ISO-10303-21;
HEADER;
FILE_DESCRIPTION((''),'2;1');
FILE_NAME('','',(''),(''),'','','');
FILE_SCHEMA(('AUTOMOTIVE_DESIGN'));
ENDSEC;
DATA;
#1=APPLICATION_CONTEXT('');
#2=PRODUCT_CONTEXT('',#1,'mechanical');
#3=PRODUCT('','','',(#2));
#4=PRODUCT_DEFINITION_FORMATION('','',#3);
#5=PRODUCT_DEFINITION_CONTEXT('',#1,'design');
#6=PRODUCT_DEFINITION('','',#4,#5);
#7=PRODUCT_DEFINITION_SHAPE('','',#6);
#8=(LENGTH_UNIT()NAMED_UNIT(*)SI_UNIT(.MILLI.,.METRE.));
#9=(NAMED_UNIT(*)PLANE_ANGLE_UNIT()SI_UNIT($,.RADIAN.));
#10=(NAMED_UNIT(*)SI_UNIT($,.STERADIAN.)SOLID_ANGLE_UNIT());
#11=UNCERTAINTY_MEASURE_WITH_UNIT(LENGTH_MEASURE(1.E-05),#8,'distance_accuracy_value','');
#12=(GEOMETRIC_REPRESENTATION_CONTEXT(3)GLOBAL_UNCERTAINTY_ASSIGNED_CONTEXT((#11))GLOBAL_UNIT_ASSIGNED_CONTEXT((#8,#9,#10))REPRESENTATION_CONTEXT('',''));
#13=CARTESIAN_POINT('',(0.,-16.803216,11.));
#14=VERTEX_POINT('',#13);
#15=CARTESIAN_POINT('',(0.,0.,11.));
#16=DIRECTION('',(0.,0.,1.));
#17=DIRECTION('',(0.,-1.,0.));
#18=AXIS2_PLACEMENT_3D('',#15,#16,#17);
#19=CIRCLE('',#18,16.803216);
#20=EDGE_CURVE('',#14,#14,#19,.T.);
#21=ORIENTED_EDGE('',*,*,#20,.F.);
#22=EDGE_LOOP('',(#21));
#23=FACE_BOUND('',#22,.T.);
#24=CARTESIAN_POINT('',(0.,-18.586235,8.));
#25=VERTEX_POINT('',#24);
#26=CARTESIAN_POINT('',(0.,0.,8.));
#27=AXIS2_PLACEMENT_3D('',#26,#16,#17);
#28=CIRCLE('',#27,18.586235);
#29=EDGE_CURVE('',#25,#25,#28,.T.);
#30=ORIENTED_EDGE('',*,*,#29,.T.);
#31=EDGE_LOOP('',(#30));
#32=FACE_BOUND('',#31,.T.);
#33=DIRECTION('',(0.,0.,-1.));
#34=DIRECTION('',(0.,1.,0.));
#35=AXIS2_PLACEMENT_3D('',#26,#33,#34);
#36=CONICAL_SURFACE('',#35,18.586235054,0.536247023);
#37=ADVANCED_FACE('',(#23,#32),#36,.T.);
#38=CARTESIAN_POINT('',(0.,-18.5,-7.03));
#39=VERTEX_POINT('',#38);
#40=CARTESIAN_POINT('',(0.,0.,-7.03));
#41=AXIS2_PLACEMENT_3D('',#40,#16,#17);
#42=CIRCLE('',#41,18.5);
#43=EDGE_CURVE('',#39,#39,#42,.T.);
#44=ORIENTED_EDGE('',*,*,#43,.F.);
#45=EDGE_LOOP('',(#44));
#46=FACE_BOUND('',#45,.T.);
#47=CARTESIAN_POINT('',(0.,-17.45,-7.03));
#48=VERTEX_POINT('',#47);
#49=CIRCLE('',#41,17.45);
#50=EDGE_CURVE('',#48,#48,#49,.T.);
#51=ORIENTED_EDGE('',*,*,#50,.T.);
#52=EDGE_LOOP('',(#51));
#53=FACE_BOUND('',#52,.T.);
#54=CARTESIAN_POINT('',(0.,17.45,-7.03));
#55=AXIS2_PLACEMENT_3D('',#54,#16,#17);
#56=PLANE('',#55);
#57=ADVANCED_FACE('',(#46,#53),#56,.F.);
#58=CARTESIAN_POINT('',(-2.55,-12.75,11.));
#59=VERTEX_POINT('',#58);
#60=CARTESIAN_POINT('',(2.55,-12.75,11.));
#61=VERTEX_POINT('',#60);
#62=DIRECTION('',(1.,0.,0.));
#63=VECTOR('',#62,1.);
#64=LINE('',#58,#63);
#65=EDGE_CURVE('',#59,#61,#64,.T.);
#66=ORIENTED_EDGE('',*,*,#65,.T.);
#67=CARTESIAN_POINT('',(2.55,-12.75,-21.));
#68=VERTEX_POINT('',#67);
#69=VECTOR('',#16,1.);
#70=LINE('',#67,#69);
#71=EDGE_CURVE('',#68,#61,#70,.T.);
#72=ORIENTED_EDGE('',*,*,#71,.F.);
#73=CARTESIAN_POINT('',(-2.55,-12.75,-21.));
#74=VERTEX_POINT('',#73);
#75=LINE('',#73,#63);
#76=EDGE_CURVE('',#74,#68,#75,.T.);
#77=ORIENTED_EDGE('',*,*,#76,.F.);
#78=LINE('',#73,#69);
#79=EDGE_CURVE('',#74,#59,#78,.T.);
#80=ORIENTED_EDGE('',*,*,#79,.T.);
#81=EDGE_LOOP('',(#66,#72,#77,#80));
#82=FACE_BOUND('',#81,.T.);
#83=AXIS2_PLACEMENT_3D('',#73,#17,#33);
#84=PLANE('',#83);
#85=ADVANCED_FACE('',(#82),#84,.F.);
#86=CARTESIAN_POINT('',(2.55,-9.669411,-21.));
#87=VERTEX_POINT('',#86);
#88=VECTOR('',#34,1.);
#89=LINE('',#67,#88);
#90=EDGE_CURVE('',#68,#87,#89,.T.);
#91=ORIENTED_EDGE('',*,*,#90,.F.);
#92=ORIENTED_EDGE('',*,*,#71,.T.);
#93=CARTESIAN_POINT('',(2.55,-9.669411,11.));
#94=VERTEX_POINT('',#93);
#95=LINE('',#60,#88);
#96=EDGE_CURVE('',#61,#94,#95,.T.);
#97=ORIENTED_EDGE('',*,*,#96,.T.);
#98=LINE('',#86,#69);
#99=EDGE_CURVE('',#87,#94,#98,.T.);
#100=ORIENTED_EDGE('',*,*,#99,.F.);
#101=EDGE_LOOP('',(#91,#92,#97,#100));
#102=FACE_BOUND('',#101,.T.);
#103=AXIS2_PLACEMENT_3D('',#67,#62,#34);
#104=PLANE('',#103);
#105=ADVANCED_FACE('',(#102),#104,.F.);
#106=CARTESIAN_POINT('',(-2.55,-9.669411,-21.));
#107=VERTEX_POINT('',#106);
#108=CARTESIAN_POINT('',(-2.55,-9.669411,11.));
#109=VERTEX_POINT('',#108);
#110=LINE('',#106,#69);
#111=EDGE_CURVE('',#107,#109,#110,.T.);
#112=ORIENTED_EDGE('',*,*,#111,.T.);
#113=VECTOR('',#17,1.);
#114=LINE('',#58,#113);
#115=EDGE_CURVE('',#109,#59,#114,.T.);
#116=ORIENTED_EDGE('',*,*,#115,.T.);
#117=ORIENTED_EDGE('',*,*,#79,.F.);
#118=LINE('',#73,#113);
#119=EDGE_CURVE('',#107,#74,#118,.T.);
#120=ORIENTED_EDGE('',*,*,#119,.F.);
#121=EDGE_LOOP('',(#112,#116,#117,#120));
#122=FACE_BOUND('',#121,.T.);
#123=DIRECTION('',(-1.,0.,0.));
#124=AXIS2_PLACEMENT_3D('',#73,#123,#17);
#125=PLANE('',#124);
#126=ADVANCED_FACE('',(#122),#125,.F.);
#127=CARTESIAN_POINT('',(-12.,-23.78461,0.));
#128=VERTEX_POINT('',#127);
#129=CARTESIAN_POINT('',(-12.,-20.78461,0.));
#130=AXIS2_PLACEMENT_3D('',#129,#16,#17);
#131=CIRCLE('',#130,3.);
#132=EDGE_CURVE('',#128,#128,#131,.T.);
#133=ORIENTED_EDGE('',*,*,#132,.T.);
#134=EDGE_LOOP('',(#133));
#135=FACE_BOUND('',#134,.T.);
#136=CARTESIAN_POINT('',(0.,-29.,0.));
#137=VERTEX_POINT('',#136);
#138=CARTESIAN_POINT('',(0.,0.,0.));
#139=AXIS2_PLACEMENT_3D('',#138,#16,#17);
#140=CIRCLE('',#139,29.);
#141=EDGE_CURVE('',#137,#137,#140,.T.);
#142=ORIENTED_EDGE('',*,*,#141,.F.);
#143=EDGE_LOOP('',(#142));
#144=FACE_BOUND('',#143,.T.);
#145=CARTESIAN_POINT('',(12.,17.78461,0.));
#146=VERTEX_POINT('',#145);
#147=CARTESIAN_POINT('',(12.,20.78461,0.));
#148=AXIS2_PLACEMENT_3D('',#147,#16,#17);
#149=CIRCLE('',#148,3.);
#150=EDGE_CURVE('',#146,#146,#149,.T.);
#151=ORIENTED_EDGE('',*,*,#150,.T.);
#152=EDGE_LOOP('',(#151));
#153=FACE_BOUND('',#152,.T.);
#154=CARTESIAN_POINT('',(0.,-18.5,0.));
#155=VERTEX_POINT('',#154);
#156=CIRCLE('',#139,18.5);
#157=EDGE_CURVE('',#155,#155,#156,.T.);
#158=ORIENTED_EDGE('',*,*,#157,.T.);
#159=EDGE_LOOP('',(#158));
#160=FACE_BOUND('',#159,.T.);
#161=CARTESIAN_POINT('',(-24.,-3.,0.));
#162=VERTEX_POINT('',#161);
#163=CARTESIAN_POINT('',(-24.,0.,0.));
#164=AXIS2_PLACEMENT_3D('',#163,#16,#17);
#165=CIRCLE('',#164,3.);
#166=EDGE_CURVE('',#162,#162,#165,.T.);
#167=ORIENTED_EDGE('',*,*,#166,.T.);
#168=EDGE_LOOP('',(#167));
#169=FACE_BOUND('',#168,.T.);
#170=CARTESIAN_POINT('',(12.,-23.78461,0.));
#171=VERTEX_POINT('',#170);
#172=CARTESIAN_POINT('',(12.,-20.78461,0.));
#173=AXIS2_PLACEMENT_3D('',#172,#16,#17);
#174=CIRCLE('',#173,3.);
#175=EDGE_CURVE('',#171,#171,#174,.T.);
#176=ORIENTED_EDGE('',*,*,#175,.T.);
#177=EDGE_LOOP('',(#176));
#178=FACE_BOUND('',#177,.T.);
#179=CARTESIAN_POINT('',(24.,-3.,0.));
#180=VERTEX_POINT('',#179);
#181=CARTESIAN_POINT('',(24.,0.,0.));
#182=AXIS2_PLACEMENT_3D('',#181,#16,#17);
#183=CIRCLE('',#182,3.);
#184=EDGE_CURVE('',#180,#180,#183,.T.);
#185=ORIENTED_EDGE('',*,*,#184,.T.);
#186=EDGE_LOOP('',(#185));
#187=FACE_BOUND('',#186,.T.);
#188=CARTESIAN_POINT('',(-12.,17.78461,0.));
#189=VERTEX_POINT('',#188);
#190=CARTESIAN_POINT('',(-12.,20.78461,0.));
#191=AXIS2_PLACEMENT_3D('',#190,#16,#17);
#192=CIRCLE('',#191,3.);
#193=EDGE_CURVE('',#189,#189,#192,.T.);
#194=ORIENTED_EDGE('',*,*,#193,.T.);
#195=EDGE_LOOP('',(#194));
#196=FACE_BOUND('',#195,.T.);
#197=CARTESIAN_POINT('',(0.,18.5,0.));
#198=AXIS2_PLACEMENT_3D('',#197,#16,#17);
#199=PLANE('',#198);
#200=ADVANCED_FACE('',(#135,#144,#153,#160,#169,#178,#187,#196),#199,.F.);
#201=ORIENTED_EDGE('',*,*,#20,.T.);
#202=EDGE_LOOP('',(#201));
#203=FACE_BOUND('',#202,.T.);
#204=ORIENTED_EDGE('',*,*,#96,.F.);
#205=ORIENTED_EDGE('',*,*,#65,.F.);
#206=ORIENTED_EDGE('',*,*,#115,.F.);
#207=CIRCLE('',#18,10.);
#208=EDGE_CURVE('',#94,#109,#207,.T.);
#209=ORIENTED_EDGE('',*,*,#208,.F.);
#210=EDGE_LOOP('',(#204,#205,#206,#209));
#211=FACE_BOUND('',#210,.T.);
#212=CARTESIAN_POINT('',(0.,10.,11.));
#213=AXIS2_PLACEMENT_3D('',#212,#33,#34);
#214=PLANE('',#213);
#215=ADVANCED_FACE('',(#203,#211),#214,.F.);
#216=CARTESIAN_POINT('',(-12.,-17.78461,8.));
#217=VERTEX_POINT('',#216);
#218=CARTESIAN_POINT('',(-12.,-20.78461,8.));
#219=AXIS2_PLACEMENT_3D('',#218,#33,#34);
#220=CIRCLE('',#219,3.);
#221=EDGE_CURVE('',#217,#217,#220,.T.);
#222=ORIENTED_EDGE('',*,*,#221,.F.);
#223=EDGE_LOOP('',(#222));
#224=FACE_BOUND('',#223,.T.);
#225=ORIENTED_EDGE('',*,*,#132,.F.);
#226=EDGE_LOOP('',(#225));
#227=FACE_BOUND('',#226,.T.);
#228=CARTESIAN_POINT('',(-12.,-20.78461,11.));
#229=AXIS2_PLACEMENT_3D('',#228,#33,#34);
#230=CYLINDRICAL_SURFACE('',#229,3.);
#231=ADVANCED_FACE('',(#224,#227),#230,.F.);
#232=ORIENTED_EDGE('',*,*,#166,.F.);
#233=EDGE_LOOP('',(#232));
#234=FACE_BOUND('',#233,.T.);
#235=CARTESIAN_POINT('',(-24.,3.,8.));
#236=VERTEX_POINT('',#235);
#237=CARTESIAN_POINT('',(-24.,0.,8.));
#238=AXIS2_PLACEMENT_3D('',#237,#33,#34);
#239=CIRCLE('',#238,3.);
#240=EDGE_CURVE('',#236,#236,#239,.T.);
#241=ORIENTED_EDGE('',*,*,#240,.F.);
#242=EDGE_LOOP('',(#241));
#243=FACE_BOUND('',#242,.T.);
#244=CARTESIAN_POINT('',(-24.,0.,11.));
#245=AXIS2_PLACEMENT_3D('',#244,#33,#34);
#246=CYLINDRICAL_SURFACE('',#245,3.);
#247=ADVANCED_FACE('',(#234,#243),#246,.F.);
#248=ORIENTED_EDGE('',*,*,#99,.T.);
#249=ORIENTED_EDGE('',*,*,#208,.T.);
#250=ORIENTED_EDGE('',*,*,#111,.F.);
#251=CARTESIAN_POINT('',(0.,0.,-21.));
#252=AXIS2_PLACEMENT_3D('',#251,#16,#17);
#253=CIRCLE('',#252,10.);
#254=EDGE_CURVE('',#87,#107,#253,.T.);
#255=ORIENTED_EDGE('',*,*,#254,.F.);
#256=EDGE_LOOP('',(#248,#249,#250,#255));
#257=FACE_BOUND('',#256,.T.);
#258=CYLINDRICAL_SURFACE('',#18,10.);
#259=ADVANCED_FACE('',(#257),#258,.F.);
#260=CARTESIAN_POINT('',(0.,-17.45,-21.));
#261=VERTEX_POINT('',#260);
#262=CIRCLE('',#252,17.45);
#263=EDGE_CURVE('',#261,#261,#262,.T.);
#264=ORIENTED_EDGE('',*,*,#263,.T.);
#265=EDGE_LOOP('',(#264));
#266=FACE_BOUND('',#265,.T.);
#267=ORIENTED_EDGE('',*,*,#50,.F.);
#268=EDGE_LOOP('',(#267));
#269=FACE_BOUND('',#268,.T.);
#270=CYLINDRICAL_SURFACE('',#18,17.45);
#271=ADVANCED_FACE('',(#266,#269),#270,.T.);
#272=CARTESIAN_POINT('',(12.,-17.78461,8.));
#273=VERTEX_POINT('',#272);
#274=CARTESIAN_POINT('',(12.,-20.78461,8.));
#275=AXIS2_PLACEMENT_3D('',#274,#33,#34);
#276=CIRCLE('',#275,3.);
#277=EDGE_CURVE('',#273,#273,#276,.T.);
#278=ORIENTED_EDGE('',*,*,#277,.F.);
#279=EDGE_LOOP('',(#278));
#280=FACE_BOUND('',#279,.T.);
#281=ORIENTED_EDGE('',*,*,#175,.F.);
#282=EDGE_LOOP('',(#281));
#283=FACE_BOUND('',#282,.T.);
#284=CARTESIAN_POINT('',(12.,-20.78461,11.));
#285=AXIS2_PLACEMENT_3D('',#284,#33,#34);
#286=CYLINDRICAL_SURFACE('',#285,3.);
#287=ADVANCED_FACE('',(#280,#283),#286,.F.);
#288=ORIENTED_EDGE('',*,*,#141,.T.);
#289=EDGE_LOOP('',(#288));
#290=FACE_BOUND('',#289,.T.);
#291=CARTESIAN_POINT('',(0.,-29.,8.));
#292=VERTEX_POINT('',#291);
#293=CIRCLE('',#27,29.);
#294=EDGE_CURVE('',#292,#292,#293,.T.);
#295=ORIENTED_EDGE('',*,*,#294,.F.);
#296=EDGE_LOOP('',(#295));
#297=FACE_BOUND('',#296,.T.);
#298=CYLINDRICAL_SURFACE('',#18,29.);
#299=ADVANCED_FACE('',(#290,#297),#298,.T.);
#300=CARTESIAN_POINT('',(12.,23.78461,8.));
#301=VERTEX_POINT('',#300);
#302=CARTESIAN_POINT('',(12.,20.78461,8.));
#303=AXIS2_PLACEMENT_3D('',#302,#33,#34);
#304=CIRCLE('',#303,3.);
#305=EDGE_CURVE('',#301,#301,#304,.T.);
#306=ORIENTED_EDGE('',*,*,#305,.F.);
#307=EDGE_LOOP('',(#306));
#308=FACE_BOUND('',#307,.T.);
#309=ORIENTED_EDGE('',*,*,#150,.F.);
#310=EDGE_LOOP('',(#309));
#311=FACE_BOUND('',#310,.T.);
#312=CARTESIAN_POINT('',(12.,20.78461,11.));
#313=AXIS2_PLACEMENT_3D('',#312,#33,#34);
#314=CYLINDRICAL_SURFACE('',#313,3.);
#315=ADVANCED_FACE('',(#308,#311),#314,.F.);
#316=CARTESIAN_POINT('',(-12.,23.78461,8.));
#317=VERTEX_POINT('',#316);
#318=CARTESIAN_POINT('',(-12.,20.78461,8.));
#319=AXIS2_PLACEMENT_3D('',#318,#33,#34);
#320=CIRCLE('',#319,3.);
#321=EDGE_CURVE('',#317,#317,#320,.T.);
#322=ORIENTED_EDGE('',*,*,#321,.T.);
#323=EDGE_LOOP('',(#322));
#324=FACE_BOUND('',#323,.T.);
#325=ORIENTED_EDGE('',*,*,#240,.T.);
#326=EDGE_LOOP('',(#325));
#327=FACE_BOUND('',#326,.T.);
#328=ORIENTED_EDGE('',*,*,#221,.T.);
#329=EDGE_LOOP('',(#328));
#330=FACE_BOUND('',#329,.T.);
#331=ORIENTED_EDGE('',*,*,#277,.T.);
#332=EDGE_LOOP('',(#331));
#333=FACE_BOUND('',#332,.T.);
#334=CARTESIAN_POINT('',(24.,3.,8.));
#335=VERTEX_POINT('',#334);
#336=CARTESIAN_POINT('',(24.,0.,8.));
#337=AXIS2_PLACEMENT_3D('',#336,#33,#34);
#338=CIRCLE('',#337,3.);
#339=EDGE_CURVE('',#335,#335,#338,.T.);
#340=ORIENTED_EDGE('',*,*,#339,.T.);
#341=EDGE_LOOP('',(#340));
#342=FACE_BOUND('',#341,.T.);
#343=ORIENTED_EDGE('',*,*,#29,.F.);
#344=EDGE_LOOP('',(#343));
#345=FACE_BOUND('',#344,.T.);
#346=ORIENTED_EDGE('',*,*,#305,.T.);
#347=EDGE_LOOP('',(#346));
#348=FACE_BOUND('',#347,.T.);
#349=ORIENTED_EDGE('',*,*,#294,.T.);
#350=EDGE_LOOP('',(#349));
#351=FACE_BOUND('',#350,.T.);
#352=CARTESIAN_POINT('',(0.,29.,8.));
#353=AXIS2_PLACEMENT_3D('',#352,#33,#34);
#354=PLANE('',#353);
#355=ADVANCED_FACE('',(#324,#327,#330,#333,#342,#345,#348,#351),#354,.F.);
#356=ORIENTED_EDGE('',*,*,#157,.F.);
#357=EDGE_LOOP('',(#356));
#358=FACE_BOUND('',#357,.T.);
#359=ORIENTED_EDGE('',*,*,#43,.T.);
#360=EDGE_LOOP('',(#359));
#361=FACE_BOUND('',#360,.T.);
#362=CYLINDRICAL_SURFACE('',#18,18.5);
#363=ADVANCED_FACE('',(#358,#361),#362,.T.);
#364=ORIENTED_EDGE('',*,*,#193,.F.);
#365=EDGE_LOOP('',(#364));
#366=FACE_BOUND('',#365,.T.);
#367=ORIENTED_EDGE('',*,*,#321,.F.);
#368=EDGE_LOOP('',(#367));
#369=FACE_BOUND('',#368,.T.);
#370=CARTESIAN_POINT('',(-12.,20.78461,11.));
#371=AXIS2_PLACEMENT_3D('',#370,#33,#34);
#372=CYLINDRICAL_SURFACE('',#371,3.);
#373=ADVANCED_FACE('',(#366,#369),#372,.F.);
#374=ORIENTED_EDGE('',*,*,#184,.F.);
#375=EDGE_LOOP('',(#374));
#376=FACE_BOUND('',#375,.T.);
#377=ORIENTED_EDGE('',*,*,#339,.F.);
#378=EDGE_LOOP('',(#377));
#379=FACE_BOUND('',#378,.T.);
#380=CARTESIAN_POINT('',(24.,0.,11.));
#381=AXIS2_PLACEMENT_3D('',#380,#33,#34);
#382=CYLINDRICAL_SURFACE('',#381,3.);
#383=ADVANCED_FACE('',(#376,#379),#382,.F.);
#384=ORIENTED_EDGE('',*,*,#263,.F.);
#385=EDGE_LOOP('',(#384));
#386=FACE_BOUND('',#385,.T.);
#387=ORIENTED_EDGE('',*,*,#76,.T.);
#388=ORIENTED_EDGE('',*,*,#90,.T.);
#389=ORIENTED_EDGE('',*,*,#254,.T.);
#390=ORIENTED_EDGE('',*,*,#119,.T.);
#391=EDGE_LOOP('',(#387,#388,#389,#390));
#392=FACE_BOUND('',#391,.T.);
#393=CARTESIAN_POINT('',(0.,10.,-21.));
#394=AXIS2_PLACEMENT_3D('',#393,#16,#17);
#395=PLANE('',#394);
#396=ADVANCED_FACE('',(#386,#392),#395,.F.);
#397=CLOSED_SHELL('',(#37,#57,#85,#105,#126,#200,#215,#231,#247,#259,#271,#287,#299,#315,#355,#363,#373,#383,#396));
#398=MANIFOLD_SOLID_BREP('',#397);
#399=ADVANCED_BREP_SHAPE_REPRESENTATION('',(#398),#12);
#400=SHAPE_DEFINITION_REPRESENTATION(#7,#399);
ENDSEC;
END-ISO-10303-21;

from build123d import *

# Parameters (mm, degrees)
CUT_EXTRUDE1_DEPTH      = 12
CUT_EXTRUDE1_DEPTH_BACK = 22
SKETCH3_R               = 3
CUT_EXTRUDE2_DEPTH      = 22
CUT_EXTRUDE2_DEPTH_BACK = 12


with BuildPart() as part:
    # Sketch1 → Revolve1 (revolve)
    with BuildSketch(Plane(origin=(0, 0, 0), x_dir=(0, 0, -1), z_dir=(1, 0, 0))):
        Polygon((21, 17.45), (7.03, 17.45), (7.03, 18.5), (0, 18.5), (0, 29), (-8, 29), (-8, 18.586235054), (-11, 16.803216346), (-11, 10), (21, 10), align=None)
    revolve(axis=Axis((0, 0, 11), (0, 0, -1)))

    # Sketch2 → Cut-Extrude1 (cut, two sides)
    with BuildSketch(Plane.XY) as cut_extrude1_sk:
        with BuildLine():
            Line((-2.55, -12.75), (2.55, -12.75))
            Line((2.55, -12.75), (2.55, -9.66941053))
            ThreePointArc((2.55, -9.66941053), (0, -10), (-2.55, -9.66941053))
            Line((-2.55, -9.66941053), (-2.55, -12.75))
        make_face()
    extrude(amount=CUT_EXTRUDE1_DEPTH, mode=Mode.SUBTRACT)
    extrude(cut_extrude1_sk.sketch, amount=-CUT_EXTRUDE1_DEPTH_BACK, mode=Mode.SUBTRACT)

    # Sketch3 → Cut-Extrude2 (cut, two sides)
    with BuildSketch(Plane(origin=(0, 0, 0), x_dir=(-1, 0, 0), z_dir=(0, 0, -1))) as cut_extrude2_sk:
        with Locations((-24, 0)):
            Circle(SKETCH3_R)
        with Locations((-12, 20.784609691)):
            Circle(SKETCH3_R)
        with Locations((12, 20.784609691)):
            Circle(SKETCH3_R)
        with Locations((24, 0)):
            Circle(SKETCH3_R)
        with Locations((12, -20.784609691)):
            Circle(SKETCH3_R)
        with Locations((-12, -20.784609691)):
            Circle(SKETCH3_R)
    extrude(amount=CUT_EXTRUDE2_DEPTH, mode=Mode.SUBTRACT)
    extrude(cut_extrude2_sk.sketch, amount=-CUT_EXTRUDE2_DEPTH_BACK, mode=Mode.SUBTRACT)


solid = part.part
